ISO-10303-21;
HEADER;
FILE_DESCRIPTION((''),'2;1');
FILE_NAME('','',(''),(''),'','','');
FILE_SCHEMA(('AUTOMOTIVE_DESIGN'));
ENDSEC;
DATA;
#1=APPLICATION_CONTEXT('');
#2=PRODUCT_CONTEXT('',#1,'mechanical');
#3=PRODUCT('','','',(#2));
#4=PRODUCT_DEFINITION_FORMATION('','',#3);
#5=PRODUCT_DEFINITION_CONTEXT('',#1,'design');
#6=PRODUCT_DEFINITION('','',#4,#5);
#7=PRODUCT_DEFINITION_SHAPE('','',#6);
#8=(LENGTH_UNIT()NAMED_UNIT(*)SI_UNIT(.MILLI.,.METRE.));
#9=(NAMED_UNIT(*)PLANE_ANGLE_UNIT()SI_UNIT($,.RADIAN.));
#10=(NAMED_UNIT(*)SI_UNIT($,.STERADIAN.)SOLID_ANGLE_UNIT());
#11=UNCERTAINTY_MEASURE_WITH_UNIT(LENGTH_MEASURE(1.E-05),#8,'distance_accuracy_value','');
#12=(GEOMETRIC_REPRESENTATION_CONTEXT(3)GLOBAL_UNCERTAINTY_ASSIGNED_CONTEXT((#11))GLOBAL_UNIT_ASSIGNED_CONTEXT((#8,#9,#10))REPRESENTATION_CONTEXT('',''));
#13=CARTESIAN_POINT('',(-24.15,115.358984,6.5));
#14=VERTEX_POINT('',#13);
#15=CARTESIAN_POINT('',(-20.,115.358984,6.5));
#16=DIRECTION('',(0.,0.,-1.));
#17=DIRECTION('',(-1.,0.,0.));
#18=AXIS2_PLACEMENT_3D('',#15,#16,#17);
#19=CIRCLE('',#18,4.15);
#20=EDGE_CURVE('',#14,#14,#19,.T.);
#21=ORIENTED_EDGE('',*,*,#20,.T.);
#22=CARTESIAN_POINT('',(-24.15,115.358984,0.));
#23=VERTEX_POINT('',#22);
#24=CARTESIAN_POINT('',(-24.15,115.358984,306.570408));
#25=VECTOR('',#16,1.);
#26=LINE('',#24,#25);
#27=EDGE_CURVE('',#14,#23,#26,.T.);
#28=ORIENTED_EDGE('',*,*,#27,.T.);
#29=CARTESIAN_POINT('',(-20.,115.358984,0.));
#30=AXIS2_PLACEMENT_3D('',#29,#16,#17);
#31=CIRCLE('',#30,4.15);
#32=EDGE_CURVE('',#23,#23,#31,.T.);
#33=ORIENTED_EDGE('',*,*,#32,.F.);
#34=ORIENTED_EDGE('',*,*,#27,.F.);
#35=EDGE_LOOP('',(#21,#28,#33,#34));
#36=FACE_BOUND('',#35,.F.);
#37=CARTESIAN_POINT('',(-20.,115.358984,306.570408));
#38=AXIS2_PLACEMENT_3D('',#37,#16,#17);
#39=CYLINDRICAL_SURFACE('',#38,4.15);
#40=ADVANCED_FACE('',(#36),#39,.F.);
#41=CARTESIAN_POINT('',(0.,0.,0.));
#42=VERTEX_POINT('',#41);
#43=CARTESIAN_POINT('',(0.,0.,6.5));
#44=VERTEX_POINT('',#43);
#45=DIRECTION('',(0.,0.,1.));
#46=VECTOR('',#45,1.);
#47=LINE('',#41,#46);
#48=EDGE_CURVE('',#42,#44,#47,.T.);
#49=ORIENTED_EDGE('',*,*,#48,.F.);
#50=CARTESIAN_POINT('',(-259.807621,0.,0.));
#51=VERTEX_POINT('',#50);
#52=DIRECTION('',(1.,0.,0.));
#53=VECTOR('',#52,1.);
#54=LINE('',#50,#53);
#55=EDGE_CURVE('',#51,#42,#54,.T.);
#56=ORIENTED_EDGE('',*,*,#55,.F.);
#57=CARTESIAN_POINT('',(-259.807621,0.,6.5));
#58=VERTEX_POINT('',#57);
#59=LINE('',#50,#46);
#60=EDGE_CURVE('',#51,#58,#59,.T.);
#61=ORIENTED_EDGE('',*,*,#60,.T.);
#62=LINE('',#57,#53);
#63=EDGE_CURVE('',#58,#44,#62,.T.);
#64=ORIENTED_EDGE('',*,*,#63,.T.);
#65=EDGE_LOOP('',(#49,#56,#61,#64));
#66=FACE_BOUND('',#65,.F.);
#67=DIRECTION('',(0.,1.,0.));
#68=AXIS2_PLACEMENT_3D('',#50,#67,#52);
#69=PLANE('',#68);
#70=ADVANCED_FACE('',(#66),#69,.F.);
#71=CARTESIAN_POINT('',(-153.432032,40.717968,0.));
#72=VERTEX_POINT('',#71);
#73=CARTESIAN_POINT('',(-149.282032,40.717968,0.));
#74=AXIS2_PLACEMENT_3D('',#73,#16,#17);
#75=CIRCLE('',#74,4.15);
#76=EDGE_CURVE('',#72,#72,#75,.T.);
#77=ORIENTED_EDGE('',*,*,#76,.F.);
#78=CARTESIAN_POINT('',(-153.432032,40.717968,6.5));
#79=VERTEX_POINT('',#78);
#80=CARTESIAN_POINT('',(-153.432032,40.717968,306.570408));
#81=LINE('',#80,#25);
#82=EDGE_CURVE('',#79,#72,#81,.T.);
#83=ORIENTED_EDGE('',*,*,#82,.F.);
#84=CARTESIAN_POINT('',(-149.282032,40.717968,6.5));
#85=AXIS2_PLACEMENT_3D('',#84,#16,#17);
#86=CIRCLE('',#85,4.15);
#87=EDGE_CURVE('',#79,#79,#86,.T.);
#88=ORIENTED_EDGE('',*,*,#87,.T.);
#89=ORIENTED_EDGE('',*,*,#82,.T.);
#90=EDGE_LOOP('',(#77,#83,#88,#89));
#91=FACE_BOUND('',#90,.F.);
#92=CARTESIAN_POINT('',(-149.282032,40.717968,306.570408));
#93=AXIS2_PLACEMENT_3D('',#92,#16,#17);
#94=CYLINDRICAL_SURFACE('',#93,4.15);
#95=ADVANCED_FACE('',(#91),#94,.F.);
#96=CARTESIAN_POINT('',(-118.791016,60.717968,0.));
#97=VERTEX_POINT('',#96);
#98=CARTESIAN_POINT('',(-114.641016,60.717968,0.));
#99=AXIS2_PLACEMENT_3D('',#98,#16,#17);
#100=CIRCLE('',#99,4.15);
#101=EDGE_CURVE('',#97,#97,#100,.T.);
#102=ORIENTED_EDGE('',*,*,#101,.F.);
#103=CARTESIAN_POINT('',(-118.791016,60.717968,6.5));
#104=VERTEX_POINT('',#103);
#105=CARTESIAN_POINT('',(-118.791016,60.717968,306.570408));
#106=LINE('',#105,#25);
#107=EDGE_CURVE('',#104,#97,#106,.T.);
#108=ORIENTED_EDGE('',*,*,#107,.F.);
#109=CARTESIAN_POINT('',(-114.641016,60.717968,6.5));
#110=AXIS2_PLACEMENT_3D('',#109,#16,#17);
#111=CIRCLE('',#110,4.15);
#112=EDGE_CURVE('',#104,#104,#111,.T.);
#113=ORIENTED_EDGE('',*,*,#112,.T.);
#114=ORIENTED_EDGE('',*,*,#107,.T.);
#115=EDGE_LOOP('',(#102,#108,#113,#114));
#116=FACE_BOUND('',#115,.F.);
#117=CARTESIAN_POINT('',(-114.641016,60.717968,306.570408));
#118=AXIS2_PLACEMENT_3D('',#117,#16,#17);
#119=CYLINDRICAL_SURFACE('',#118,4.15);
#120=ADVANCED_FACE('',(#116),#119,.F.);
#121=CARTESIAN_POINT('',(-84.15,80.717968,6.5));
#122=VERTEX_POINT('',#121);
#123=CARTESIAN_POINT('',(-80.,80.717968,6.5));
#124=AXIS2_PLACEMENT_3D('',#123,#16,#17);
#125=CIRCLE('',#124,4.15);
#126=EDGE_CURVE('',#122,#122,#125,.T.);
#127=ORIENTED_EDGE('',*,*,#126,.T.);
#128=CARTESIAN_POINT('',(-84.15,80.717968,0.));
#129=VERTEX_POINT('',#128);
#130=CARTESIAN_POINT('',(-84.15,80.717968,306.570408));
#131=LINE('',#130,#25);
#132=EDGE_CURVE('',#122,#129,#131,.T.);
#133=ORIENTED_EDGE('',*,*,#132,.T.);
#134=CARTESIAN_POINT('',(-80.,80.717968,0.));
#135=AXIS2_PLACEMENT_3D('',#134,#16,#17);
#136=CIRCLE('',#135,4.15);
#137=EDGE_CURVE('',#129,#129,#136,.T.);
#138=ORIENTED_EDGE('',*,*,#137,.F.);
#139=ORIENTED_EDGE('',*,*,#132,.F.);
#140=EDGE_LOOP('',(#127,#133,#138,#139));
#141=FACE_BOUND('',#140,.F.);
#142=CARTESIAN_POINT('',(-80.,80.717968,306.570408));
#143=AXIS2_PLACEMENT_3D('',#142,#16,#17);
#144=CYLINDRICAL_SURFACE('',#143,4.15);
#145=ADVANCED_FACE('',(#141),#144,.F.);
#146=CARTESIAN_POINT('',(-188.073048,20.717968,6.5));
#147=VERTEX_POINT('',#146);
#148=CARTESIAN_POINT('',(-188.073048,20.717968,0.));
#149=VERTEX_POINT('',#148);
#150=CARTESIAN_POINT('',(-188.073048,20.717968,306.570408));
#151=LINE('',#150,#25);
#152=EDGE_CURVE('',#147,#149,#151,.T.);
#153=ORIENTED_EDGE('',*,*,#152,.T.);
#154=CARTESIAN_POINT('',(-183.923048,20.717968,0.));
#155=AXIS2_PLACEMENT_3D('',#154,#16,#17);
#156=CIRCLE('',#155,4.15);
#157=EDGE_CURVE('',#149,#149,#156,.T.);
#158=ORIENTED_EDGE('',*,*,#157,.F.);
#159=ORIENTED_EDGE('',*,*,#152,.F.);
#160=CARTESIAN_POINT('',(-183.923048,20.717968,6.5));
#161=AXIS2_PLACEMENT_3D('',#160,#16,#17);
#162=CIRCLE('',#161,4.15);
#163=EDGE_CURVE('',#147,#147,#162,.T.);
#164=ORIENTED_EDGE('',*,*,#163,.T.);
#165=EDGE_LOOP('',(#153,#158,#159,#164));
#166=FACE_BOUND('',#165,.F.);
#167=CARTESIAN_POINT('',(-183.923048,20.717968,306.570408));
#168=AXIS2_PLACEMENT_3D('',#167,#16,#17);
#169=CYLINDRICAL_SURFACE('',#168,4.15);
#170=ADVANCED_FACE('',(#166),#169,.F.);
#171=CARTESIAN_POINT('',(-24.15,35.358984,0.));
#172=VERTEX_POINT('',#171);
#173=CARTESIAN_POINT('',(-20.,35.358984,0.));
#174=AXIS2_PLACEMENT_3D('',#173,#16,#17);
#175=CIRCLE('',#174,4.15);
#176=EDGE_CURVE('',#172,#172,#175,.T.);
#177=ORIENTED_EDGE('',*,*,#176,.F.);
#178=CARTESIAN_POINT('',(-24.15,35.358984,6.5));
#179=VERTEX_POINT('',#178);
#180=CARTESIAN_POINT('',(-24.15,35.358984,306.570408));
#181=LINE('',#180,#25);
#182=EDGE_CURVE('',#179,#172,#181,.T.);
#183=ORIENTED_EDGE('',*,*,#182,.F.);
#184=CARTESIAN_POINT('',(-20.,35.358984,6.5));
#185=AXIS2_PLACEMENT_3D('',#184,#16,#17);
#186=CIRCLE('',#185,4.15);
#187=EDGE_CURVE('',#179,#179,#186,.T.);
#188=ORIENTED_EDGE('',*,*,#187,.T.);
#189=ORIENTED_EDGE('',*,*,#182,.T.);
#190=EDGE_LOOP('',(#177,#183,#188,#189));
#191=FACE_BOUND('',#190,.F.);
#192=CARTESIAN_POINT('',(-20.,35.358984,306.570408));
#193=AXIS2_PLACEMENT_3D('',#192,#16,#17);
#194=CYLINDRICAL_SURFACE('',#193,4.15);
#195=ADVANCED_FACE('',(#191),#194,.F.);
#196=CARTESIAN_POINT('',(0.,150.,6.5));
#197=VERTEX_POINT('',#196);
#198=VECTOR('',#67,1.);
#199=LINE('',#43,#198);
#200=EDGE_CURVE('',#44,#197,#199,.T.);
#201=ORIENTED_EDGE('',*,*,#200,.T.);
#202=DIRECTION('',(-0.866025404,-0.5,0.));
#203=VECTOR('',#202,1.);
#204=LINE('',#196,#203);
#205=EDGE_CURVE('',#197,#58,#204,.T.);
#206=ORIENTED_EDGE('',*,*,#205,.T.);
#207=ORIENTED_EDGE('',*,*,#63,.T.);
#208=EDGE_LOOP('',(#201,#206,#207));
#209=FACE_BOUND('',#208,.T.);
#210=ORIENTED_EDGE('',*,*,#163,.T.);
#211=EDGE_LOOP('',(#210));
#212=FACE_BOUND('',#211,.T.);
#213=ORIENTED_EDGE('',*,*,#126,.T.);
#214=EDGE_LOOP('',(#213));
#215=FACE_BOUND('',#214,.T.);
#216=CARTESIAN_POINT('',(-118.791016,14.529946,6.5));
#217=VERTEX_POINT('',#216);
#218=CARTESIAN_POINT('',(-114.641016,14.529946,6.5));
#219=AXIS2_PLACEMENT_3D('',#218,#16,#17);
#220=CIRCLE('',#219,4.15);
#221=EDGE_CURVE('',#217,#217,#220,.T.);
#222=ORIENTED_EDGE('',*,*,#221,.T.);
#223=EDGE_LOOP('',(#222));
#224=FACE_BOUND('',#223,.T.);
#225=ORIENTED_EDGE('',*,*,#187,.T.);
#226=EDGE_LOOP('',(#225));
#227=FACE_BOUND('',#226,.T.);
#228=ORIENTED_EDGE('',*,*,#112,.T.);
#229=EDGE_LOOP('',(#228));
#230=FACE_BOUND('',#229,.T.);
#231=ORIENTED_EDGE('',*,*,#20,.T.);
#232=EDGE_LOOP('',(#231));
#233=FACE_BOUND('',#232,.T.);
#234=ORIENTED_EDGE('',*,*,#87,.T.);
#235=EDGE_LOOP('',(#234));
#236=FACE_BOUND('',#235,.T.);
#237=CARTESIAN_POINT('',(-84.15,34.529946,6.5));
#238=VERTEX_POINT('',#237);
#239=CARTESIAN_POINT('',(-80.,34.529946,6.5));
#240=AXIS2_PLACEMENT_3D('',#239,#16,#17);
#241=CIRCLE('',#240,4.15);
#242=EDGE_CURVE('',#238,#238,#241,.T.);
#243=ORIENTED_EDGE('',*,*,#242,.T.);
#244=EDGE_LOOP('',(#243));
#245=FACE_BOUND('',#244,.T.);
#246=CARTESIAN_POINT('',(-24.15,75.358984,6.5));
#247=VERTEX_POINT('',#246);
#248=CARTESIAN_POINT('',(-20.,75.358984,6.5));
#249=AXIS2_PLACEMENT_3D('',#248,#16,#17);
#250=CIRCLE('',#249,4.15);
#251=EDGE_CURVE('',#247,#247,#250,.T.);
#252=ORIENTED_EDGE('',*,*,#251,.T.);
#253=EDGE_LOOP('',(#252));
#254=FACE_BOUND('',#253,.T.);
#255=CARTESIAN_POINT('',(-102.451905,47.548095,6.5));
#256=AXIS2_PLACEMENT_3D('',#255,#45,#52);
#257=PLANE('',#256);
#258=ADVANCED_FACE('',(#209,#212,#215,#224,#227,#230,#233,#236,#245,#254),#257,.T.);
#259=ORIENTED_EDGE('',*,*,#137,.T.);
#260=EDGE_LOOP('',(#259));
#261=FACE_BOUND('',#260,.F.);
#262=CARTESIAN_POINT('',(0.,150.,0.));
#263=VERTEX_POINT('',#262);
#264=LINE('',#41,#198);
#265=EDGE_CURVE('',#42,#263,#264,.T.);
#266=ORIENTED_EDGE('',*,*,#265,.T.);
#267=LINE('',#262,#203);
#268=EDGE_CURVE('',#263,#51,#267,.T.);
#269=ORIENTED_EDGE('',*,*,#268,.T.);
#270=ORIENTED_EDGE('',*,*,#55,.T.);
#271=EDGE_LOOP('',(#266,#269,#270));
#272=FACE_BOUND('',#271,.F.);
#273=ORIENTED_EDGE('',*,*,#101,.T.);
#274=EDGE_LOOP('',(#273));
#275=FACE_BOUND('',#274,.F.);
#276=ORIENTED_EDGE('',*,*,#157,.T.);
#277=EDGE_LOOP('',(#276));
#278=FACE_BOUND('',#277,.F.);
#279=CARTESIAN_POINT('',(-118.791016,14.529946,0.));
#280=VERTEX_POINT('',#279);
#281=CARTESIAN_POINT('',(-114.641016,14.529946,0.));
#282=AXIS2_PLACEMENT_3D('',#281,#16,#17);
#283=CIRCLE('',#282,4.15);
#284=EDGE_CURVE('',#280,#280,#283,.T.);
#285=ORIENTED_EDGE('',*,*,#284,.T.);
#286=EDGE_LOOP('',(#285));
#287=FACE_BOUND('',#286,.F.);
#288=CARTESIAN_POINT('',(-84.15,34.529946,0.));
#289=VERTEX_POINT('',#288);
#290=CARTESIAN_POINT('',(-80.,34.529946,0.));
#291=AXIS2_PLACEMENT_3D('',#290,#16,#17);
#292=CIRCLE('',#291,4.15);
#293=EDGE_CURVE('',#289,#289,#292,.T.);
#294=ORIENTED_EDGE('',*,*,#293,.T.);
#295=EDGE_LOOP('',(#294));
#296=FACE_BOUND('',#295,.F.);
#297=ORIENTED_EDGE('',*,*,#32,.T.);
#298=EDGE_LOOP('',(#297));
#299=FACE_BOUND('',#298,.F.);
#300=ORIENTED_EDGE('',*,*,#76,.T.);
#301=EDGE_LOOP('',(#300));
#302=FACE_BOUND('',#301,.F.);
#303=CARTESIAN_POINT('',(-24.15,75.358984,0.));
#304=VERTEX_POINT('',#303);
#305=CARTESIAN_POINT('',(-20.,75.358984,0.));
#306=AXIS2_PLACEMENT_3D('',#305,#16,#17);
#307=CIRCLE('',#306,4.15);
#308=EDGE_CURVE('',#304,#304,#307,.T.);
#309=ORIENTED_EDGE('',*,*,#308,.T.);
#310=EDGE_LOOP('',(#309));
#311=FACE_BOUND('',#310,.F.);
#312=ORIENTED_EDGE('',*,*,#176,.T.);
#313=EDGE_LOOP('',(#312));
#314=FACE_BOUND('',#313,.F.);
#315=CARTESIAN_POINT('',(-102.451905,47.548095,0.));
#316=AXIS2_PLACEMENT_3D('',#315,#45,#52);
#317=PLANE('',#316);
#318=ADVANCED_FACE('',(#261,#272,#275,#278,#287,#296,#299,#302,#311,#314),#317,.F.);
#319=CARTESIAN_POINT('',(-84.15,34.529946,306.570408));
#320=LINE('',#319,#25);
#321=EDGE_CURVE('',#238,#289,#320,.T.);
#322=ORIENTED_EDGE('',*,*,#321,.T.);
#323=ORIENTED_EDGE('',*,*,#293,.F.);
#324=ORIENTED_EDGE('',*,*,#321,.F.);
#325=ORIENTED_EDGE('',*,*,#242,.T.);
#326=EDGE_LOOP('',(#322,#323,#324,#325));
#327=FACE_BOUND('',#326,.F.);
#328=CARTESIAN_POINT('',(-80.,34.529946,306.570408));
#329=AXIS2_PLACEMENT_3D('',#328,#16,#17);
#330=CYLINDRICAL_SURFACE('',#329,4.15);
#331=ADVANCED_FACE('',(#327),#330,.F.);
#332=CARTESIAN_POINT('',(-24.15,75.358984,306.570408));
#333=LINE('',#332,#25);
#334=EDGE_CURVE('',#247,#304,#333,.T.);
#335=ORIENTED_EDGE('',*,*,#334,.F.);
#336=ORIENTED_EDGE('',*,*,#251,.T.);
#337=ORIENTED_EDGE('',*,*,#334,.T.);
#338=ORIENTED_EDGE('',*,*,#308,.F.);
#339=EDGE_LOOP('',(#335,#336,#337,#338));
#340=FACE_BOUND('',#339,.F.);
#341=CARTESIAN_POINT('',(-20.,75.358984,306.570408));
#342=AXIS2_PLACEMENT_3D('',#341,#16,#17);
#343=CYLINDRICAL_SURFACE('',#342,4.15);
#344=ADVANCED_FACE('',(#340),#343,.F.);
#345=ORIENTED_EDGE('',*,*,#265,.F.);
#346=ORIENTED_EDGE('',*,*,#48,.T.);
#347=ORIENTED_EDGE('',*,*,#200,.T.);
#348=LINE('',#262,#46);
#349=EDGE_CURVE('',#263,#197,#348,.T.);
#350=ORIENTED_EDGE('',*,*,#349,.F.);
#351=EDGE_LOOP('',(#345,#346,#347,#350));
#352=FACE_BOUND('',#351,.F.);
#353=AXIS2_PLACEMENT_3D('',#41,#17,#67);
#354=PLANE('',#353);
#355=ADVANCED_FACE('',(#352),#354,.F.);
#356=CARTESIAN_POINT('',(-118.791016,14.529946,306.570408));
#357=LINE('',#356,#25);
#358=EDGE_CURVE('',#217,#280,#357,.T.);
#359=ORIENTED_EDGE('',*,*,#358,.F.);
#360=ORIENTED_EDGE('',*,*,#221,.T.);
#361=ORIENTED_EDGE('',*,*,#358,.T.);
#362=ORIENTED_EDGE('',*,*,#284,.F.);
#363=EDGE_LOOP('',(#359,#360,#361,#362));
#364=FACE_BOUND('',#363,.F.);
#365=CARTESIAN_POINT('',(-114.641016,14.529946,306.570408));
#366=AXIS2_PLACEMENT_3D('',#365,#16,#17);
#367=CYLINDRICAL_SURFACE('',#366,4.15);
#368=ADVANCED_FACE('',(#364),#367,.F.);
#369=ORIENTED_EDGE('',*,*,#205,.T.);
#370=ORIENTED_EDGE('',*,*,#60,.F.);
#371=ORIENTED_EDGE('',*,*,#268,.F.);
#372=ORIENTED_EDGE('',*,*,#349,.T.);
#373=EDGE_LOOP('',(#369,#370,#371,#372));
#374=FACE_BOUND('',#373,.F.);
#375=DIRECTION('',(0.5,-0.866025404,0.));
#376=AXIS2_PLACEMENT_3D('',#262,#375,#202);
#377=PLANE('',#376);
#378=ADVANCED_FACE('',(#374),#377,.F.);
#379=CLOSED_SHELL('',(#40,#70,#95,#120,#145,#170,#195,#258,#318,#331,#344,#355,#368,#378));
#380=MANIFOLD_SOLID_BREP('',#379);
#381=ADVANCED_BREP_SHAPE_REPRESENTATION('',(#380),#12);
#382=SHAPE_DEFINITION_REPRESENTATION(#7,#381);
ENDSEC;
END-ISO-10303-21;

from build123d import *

# Parameters (mm, degrees)
F1_DEPTH = 6.5
F3_D     = 8.3


with BuildPart() as f1:
    # F0 (on Top) → F1 (new body)
    with BuildSketch(Plane.XY):
        Polygon((-259.8076211353, 0), (0, 0), (0, 150), align=None)
    extrude(amount=F1_DEPTH)

    # F3 (through all)
    with Locations(Plane.XY.offset(6.5)):
        with Locations((-80, 80.7179676972), (-114.6410161514, 60.7179676972), (-80, 34.5299461621), (-20, 115.3589838486), (-20, 75.3589838486), (-20, 35.3589838486), (-114.6410161514, 14.5299461621), (-149.2820323028, 40.7179676972), (-183.9230484541, 20.7179676972)):
            Hole(F3_D / 2)


solid = f1.part
